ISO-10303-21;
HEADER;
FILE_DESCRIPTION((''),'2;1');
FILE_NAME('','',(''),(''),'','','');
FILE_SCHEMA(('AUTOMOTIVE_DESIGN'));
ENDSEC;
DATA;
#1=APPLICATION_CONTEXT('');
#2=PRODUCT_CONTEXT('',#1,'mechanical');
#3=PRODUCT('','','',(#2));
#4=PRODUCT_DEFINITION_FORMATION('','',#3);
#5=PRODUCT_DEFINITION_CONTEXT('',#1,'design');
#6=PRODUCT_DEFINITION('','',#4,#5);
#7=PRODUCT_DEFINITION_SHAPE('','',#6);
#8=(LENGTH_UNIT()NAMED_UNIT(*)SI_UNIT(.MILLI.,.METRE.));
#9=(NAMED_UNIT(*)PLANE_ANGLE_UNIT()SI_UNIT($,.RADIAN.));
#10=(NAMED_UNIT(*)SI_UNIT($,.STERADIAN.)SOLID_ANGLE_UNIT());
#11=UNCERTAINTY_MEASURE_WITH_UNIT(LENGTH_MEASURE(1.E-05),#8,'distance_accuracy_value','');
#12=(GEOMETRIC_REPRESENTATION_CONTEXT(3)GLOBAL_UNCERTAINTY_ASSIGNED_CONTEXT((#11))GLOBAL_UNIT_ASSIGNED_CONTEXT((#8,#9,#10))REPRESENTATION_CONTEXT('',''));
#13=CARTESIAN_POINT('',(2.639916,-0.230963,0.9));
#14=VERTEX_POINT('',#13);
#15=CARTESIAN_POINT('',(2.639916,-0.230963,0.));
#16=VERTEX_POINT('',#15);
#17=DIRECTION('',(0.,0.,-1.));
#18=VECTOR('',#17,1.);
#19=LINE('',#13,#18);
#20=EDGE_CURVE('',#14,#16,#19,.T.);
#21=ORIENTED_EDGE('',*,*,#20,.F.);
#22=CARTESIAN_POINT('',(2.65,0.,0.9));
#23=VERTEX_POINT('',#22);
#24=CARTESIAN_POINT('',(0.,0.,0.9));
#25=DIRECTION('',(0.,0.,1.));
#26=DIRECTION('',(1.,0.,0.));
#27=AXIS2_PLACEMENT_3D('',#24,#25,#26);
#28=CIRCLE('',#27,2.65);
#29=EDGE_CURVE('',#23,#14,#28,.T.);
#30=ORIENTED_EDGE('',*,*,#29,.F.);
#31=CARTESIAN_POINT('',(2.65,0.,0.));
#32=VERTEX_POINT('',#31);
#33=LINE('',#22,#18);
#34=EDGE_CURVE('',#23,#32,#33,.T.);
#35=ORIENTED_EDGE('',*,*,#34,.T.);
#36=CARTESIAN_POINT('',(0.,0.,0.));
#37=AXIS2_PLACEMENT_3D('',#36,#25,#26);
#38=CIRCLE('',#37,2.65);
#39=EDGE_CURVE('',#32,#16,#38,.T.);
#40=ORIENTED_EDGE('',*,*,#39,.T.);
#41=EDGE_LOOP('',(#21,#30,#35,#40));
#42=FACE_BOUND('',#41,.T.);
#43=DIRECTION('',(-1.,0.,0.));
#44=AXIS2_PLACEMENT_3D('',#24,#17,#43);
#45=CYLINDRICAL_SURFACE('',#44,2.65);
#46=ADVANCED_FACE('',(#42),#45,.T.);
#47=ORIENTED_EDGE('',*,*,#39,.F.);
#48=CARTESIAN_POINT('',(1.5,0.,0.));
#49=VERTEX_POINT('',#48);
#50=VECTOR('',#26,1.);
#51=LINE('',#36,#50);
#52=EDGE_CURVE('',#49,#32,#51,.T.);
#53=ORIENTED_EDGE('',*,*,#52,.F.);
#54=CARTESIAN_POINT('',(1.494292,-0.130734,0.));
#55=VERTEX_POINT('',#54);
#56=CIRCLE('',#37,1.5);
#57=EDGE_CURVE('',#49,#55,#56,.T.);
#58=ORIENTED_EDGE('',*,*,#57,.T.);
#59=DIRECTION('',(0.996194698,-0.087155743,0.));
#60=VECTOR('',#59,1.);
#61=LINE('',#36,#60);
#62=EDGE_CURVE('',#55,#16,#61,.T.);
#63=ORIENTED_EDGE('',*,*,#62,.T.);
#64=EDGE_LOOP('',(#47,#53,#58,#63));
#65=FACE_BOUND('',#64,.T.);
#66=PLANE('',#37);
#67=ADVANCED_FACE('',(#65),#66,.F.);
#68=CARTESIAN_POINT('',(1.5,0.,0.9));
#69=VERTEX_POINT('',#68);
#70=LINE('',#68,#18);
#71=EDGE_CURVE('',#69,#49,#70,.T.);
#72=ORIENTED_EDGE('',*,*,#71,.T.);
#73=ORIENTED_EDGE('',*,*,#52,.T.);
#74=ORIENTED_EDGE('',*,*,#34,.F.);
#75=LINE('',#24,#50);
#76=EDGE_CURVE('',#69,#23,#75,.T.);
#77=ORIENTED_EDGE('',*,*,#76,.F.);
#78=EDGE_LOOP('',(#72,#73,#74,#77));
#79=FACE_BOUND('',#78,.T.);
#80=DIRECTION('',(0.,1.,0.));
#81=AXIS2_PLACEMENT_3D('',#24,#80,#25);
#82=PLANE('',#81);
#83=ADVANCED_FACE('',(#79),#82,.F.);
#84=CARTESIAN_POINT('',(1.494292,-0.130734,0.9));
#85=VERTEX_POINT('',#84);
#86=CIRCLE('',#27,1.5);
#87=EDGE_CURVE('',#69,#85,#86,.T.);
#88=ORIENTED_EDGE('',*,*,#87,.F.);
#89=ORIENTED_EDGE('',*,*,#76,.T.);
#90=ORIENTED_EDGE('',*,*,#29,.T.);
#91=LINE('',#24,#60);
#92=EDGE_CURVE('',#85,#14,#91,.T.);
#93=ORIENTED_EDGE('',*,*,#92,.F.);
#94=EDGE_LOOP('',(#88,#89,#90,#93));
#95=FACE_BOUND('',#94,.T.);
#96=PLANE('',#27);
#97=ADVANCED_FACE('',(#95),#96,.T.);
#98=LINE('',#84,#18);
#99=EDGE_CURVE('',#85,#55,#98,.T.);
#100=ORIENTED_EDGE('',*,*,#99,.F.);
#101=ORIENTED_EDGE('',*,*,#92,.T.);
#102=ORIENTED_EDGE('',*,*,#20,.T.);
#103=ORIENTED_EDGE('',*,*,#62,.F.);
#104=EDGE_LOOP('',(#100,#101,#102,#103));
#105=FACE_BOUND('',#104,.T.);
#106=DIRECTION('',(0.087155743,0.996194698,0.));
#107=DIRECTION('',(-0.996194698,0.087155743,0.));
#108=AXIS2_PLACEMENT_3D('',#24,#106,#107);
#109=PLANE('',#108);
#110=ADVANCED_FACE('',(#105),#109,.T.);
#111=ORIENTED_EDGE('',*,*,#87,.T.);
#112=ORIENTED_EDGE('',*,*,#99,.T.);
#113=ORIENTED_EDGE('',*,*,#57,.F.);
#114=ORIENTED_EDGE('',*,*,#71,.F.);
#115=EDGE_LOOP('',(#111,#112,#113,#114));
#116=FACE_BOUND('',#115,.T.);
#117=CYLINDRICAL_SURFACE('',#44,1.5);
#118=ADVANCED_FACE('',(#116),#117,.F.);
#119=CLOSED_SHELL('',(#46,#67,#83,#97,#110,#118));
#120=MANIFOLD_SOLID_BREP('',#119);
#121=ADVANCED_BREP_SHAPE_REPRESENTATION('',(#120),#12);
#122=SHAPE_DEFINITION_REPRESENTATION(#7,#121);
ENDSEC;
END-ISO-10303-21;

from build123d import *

# Parameters (mm, degrees)
EXTRUDE_1_DEPTH = 0.9


with BuildPart() as part:
    # 草图1 → 凸台-拉伸1 (new body)
    with BuildSketch(Plane.XY):
        with BuildLine():
            Line((1.5, 0), (2.65, 0))
            ThreePointArc((2.65, 0), (-2.647477787, 0.115591377), (2.63991595, -0.230962718))
            Line((2.63991595, -0.230962718), (1.494292047, -0.130733614))
            ThreePointArc((1.494292047, -0.130733614), (-1.498572332, 0.065429081), (1.5, 0))
        make_face()
    extrude(amount=EXTRUDE_1_DEPTH)


solid = part.part
